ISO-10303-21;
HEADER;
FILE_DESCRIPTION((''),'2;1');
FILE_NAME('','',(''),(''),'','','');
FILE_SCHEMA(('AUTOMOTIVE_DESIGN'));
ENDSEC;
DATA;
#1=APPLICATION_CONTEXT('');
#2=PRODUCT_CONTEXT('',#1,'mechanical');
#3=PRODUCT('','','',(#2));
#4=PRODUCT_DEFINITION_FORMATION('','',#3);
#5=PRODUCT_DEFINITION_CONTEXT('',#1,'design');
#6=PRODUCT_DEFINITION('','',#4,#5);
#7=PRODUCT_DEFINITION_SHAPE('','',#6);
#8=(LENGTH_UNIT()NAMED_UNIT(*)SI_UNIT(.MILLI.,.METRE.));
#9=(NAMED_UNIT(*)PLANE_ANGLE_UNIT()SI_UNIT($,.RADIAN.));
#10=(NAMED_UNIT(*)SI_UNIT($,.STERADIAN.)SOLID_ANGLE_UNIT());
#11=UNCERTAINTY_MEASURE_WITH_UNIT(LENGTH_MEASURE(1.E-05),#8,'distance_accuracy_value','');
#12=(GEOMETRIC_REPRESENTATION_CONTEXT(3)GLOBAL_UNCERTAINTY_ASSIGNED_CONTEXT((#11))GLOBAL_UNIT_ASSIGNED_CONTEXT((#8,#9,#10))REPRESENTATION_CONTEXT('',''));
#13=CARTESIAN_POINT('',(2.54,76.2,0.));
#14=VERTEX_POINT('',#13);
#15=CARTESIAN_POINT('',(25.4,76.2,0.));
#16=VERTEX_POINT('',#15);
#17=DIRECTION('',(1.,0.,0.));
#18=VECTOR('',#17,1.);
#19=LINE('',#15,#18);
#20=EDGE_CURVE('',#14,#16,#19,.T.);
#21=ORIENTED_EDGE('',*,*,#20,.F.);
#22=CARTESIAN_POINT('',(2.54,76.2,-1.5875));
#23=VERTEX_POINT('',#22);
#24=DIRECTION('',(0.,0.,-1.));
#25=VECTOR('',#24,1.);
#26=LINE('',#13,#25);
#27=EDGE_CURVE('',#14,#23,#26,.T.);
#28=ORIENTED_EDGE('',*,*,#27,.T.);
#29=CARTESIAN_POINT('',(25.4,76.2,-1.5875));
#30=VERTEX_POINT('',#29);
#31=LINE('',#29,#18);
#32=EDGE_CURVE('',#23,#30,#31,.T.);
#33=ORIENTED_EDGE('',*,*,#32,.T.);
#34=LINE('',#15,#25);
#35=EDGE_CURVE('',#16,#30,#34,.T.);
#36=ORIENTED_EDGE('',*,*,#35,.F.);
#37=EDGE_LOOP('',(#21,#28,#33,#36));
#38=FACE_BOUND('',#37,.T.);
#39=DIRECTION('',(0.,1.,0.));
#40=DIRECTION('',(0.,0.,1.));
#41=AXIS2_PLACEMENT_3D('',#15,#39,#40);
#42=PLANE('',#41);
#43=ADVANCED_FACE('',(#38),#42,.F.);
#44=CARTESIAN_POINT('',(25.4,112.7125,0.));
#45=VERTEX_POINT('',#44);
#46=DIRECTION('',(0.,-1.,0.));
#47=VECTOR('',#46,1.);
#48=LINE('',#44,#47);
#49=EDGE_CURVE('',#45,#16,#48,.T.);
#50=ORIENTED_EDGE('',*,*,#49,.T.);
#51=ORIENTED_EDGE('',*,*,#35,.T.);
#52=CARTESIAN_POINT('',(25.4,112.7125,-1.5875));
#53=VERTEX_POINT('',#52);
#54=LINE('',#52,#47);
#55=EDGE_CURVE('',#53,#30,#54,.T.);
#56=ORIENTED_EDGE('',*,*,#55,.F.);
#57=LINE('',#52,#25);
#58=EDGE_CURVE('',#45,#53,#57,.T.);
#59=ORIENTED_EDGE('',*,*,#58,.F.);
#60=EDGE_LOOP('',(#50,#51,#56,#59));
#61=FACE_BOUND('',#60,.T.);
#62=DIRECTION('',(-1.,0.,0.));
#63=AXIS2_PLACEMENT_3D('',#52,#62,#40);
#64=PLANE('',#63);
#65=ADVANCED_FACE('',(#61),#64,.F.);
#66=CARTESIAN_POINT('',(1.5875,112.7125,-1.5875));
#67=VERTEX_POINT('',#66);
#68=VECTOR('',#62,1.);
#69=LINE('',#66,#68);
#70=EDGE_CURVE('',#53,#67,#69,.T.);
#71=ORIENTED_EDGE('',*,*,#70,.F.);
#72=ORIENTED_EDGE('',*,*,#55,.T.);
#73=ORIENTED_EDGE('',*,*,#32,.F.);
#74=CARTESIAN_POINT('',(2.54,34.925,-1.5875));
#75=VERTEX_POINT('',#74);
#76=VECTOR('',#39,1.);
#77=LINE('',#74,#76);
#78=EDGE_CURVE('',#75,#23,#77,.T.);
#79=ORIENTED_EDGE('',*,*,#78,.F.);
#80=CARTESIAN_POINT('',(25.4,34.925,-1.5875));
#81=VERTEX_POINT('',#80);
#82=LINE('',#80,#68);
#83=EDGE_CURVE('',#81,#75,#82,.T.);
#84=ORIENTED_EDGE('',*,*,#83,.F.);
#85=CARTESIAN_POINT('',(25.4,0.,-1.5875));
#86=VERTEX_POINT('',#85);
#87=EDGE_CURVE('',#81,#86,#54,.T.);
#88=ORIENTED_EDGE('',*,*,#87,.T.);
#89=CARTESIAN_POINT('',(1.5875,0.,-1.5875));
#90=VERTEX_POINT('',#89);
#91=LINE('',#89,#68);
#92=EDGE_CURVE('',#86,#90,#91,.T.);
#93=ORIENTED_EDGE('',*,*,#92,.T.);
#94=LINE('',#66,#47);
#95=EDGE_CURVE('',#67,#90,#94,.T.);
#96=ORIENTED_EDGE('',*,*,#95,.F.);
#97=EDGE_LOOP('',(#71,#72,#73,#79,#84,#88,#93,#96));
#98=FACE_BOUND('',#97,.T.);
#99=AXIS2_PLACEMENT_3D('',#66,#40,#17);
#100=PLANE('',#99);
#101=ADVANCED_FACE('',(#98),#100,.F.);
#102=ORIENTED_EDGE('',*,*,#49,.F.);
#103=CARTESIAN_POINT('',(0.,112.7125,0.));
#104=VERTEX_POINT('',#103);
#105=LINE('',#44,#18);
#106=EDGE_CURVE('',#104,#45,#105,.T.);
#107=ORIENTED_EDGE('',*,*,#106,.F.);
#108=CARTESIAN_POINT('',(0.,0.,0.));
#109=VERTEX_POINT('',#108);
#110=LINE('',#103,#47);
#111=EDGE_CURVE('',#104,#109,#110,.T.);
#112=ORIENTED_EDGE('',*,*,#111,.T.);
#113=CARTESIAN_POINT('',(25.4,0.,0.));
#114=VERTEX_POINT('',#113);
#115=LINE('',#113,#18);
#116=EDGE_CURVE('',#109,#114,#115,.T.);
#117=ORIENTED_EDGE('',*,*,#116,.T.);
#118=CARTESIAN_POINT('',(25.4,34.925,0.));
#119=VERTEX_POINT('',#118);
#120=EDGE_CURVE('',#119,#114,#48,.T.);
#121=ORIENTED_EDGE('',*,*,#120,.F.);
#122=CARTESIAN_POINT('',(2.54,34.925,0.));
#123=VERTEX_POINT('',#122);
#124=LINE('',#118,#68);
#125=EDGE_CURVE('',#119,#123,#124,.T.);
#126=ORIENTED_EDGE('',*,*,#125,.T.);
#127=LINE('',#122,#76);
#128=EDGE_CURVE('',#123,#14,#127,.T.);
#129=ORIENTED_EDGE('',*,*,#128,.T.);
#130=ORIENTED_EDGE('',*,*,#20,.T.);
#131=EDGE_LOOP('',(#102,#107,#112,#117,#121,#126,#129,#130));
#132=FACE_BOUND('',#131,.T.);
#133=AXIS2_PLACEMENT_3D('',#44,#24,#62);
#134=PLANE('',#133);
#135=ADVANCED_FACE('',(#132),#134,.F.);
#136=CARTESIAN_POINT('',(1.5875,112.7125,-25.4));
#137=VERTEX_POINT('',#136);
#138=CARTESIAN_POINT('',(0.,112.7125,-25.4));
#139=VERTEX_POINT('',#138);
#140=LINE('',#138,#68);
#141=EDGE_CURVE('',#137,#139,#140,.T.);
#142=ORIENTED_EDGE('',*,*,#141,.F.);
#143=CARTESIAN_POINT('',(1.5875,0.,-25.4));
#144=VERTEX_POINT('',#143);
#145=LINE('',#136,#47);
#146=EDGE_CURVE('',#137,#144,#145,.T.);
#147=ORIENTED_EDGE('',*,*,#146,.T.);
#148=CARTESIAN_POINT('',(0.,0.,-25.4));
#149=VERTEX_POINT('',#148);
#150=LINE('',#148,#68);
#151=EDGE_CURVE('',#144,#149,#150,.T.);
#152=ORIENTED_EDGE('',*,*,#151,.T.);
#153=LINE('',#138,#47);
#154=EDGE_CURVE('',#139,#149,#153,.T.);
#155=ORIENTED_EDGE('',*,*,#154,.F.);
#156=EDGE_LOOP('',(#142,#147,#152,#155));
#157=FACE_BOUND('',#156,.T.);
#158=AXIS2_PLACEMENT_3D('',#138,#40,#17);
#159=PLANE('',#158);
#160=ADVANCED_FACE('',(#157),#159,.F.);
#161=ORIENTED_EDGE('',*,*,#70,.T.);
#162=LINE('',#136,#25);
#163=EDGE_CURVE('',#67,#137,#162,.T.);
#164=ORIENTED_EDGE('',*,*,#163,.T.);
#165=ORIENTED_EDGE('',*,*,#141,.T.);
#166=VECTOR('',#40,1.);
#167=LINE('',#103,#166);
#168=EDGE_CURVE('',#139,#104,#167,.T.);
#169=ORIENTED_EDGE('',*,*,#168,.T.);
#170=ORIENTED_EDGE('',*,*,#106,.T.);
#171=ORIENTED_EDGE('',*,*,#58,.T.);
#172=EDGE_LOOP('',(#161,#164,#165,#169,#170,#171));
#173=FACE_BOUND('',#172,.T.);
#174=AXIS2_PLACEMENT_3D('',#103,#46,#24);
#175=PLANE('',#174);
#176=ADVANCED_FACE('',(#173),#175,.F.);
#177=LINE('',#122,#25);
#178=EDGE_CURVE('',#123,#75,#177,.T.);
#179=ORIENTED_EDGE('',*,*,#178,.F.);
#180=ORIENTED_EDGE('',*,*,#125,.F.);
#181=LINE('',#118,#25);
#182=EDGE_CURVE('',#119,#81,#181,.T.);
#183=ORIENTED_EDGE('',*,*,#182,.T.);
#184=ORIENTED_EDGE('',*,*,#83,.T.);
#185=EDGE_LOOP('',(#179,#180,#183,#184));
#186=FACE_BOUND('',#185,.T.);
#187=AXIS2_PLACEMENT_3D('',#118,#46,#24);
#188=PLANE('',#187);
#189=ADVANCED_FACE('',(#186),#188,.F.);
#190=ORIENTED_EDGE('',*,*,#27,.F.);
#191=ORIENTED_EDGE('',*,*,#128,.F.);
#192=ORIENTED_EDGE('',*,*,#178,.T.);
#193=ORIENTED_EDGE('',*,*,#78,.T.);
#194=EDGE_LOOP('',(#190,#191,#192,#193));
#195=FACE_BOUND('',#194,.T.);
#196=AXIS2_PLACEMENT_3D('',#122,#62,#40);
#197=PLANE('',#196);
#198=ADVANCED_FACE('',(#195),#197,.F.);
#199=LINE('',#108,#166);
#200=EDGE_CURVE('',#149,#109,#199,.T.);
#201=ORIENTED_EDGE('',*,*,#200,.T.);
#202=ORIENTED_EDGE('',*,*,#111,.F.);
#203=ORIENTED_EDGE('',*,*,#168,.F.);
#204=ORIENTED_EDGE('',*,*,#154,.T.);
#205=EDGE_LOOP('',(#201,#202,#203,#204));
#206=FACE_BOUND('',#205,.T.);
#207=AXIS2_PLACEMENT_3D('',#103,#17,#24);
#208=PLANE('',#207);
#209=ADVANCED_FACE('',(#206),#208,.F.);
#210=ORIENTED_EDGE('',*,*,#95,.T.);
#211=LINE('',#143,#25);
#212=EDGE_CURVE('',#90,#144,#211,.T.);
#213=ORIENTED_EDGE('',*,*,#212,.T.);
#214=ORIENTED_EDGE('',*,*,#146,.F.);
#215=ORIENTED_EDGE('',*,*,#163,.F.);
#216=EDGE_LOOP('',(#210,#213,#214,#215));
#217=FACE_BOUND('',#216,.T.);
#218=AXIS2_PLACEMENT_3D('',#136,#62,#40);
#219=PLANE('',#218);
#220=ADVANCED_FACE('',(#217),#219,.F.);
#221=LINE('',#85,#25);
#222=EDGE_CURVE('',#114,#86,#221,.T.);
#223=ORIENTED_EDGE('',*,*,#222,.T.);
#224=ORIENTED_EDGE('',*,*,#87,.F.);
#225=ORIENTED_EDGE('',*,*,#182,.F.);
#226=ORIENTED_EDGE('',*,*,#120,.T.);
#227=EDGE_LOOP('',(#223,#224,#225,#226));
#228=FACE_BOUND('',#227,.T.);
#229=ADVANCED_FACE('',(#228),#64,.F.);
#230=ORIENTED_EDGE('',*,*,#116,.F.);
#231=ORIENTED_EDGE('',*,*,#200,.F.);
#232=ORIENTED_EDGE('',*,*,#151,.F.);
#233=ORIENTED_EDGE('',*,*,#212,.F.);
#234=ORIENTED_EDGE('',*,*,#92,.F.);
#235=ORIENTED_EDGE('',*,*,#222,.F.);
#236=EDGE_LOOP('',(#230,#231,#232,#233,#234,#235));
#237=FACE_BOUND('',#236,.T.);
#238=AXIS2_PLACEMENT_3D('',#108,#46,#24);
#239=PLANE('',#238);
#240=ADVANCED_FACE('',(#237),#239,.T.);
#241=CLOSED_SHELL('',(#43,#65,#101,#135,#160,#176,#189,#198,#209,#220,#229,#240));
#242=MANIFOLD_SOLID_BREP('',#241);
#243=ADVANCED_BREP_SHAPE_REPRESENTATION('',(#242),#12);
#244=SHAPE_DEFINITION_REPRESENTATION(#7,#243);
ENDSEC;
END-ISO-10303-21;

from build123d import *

# Parameters (mm, degrees)
BOSS_EXTRUDE1_DEPTH = 112.7125
SKETCH4_W           = 22.86
SKETCH4_H           = 41.275
CUT_EXTRUDE1_DEPTH  = 2.5875


with BuildPart() as part:
    # Sketch1 → Boss-Extrude1 (new body)
    with BuildSketch(Plane(origin=(0, 0, 0), x_dir=(1, 0, 0), z_dir=(0, 1, 0))):
        Polygon((0, 0), (0, 25.4), (1.5875, 25.4), (1.5875, 1.5875), (25.4, 1.5875), (25.4, 0), align=None)
    extrude(amount=BOSS_EXTRUDE1_DEPTH)

    # Sketch4 → Cut-Extrude1 (cut, through all)
    with BuildSketch(Plane(origin=(0, 0, -1.5875), x_dir=(-1, 0, 0), z_dir=(0, 0, -1))):
        with Locations((-13.97, 55.5625)):
            Rectangle(SKETCH4_W, SKETCH4_H)
    extrude(amount=-CUT_EXTRUDE1_DEPTH, mode=Mode.SUBTRACT)


solid = part.part
